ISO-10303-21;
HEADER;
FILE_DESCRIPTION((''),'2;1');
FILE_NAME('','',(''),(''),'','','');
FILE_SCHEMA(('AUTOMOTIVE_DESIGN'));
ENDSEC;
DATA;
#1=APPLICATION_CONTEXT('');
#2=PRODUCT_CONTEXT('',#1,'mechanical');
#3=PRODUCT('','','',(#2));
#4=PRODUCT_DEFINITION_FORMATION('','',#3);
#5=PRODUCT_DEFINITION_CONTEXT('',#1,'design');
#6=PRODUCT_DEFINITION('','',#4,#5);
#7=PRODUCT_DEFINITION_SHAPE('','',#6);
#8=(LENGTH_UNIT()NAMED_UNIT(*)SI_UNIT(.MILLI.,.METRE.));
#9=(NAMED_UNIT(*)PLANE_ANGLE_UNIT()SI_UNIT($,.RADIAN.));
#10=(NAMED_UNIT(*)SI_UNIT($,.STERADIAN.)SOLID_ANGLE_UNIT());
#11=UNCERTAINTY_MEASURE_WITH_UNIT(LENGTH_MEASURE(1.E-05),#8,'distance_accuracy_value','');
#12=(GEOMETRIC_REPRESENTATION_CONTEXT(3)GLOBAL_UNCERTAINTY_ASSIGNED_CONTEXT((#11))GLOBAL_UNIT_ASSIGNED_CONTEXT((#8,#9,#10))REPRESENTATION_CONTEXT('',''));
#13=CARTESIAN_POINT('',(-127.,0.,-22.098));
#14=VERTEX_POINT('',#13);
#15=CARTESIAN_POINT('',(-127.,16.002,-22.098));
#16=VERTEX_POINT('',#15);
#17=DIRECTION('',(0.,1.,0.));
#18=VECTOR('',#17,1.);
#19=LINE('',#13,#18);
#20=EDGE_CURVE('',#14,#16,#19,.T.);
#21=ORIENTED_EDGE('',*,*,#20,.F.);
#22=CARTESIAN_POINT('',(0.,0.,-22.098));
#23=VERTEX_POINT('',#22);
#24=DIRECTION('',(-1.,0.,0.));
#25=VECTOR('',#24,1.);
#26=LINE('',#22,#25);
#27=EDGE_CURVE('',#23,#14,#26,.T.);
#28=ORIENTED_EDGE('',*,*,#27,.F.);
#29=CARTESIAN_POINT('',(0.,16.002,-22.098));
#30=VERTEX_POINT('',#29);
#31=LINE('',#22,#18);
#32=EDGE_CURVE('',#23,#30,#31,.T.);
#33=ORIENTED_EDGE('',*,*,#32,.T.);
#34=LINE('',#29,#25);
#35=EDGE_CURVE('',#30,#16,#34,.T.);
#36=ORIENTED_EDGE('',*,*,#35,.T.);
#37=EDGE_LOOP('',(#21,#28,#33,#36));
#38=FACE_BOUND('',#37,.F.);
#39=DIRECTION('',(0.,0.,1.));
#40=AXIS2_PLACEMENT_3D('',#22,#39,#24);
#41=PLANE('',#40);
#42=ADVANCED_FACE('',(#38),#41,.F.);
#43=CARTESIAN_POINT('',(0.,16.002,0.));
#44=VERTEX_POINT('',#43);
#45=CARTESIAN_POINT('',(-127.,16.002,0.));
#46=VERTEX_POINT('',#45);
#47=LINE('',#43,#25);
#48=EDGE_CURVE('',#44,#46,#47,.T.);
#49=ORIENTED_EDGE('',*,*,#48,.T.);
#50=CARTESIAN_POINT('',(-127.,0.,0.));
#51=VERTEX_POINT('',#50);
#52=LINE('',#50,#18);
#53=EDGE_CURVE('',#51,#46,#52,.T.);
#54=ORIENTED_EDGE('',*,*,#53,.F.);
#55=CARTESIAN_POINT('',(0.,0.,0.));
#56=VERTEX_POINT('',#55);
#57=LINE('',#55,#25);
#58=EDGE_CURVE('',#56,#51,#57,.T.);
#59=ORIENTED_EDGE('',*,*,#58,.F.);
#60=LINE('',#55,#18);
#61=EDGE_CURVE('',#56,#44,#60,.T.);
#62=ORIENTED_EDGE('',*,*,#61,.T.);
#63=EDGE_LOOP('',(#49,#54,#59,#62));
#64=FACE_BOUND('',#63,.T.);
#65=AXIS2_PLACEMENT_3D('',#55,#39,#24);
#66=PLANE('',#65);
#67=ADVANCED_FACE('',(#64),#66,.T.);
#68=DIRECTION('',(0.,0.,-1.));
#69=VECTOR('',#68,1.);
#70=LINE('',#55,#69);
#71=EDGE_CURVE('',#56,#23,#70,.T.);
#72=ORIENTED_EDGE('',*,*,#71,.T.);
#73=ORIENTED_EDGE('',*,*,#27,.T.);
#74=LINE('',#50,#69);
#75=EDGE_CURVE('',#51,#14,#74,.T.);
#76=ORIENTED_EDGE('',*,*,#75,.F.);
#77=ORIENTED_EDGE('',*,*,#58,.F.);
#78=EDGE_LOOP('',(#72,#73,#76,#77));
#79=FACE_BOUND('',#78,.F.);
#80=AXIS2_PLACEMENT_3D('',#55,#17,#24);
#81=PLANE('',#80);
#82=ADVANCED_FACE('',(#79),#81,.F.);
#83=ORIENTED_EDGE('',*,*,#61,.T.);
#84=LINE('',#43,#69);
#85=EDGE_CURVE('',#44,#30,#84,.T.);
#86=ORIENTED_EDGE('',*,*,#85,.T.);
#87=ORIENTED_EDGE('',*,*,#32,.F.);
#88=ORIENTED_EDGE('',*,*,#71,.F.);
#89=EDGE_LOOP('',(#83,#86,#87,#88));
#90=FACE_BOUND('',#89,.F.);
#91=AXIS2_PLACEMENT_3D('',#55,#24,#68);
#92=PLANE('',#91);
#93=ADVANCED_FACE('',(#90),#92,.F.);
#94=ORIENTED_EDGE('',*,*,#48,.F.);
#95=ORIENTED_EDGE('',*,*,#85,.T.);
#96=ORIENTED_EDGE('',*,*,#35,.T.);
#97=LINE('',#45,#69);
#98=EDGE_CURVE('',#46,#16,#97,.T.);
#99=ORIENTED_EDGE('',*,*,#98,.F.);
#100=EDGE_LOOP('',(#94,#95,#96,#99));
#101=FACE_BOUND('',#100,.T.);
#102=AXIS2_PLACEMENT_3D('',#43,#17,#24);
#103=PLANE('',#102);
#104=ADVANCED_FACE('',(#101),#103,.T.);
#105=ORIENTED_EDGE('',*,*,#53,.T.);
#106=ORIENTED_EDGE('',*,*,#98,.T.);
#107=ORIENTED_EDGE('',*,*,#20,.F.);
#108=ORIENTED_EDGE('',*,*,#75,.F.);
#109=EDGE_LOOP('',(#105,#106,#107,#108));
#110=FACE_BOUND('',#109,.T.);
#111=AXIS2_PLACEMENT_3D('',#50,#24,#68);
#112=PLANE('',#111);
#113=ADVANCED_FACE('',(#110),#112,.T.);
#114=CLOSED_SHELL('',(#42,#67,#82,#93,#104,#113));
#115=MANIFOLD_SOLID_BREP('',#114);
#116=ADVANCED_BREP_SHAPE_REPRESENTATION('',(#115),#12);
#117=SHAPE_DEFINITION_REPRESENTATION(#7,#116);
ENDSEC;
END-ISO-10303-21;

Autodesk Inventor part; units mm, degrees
ref_plane "YZ Plane" through (0, 0, 0) normal (1, 0, 0) x (0, 1, 0)
ref_plane "XZ Plane" through (0, 0, 0) normal (0, 1, 0) x (-1, 0, 0)
ref_plane "XY Plane" through (0, 0, 0) normal (0, 0, 1) x (1, 0, 0)
sketch "Sketch1" plane through (0, 0, 0) normal (0, 1, 0) x (-1, 0, 0)
  line L0 (0, 0) -> (0, -22.098)
  line L1 (0, -22.098) -> (127, -22.098)
  line L2 (0, 0) -> (127, 0)
  line L3 (127, 0) -> (127, -22.098)
  dimension "d0" = 22.098
  dimension "d1" = 127
extrude "Extrusion1" add sketch "Sketch1" along normal blind 16.002
sketch "Sketch2" plane through (0, 16.002, 0) normal (0, 1, 0) x (1, 0, 0)
  line L0 (-96.9087, 13.4639) -> (1.5656, 13.4639) construction
  line L1 (1.5656, 13.4639) -> (1.5656, -0.3131) construction
  line L2 (1.5656, -0.3131) -> (-96.9087, -0.3131) construction
  line L3 (-96.9087, -0.3131) -> (-96.9087, 13.4639) construction
  point P0 (0, 0)
properties part number "terminal_rail"
